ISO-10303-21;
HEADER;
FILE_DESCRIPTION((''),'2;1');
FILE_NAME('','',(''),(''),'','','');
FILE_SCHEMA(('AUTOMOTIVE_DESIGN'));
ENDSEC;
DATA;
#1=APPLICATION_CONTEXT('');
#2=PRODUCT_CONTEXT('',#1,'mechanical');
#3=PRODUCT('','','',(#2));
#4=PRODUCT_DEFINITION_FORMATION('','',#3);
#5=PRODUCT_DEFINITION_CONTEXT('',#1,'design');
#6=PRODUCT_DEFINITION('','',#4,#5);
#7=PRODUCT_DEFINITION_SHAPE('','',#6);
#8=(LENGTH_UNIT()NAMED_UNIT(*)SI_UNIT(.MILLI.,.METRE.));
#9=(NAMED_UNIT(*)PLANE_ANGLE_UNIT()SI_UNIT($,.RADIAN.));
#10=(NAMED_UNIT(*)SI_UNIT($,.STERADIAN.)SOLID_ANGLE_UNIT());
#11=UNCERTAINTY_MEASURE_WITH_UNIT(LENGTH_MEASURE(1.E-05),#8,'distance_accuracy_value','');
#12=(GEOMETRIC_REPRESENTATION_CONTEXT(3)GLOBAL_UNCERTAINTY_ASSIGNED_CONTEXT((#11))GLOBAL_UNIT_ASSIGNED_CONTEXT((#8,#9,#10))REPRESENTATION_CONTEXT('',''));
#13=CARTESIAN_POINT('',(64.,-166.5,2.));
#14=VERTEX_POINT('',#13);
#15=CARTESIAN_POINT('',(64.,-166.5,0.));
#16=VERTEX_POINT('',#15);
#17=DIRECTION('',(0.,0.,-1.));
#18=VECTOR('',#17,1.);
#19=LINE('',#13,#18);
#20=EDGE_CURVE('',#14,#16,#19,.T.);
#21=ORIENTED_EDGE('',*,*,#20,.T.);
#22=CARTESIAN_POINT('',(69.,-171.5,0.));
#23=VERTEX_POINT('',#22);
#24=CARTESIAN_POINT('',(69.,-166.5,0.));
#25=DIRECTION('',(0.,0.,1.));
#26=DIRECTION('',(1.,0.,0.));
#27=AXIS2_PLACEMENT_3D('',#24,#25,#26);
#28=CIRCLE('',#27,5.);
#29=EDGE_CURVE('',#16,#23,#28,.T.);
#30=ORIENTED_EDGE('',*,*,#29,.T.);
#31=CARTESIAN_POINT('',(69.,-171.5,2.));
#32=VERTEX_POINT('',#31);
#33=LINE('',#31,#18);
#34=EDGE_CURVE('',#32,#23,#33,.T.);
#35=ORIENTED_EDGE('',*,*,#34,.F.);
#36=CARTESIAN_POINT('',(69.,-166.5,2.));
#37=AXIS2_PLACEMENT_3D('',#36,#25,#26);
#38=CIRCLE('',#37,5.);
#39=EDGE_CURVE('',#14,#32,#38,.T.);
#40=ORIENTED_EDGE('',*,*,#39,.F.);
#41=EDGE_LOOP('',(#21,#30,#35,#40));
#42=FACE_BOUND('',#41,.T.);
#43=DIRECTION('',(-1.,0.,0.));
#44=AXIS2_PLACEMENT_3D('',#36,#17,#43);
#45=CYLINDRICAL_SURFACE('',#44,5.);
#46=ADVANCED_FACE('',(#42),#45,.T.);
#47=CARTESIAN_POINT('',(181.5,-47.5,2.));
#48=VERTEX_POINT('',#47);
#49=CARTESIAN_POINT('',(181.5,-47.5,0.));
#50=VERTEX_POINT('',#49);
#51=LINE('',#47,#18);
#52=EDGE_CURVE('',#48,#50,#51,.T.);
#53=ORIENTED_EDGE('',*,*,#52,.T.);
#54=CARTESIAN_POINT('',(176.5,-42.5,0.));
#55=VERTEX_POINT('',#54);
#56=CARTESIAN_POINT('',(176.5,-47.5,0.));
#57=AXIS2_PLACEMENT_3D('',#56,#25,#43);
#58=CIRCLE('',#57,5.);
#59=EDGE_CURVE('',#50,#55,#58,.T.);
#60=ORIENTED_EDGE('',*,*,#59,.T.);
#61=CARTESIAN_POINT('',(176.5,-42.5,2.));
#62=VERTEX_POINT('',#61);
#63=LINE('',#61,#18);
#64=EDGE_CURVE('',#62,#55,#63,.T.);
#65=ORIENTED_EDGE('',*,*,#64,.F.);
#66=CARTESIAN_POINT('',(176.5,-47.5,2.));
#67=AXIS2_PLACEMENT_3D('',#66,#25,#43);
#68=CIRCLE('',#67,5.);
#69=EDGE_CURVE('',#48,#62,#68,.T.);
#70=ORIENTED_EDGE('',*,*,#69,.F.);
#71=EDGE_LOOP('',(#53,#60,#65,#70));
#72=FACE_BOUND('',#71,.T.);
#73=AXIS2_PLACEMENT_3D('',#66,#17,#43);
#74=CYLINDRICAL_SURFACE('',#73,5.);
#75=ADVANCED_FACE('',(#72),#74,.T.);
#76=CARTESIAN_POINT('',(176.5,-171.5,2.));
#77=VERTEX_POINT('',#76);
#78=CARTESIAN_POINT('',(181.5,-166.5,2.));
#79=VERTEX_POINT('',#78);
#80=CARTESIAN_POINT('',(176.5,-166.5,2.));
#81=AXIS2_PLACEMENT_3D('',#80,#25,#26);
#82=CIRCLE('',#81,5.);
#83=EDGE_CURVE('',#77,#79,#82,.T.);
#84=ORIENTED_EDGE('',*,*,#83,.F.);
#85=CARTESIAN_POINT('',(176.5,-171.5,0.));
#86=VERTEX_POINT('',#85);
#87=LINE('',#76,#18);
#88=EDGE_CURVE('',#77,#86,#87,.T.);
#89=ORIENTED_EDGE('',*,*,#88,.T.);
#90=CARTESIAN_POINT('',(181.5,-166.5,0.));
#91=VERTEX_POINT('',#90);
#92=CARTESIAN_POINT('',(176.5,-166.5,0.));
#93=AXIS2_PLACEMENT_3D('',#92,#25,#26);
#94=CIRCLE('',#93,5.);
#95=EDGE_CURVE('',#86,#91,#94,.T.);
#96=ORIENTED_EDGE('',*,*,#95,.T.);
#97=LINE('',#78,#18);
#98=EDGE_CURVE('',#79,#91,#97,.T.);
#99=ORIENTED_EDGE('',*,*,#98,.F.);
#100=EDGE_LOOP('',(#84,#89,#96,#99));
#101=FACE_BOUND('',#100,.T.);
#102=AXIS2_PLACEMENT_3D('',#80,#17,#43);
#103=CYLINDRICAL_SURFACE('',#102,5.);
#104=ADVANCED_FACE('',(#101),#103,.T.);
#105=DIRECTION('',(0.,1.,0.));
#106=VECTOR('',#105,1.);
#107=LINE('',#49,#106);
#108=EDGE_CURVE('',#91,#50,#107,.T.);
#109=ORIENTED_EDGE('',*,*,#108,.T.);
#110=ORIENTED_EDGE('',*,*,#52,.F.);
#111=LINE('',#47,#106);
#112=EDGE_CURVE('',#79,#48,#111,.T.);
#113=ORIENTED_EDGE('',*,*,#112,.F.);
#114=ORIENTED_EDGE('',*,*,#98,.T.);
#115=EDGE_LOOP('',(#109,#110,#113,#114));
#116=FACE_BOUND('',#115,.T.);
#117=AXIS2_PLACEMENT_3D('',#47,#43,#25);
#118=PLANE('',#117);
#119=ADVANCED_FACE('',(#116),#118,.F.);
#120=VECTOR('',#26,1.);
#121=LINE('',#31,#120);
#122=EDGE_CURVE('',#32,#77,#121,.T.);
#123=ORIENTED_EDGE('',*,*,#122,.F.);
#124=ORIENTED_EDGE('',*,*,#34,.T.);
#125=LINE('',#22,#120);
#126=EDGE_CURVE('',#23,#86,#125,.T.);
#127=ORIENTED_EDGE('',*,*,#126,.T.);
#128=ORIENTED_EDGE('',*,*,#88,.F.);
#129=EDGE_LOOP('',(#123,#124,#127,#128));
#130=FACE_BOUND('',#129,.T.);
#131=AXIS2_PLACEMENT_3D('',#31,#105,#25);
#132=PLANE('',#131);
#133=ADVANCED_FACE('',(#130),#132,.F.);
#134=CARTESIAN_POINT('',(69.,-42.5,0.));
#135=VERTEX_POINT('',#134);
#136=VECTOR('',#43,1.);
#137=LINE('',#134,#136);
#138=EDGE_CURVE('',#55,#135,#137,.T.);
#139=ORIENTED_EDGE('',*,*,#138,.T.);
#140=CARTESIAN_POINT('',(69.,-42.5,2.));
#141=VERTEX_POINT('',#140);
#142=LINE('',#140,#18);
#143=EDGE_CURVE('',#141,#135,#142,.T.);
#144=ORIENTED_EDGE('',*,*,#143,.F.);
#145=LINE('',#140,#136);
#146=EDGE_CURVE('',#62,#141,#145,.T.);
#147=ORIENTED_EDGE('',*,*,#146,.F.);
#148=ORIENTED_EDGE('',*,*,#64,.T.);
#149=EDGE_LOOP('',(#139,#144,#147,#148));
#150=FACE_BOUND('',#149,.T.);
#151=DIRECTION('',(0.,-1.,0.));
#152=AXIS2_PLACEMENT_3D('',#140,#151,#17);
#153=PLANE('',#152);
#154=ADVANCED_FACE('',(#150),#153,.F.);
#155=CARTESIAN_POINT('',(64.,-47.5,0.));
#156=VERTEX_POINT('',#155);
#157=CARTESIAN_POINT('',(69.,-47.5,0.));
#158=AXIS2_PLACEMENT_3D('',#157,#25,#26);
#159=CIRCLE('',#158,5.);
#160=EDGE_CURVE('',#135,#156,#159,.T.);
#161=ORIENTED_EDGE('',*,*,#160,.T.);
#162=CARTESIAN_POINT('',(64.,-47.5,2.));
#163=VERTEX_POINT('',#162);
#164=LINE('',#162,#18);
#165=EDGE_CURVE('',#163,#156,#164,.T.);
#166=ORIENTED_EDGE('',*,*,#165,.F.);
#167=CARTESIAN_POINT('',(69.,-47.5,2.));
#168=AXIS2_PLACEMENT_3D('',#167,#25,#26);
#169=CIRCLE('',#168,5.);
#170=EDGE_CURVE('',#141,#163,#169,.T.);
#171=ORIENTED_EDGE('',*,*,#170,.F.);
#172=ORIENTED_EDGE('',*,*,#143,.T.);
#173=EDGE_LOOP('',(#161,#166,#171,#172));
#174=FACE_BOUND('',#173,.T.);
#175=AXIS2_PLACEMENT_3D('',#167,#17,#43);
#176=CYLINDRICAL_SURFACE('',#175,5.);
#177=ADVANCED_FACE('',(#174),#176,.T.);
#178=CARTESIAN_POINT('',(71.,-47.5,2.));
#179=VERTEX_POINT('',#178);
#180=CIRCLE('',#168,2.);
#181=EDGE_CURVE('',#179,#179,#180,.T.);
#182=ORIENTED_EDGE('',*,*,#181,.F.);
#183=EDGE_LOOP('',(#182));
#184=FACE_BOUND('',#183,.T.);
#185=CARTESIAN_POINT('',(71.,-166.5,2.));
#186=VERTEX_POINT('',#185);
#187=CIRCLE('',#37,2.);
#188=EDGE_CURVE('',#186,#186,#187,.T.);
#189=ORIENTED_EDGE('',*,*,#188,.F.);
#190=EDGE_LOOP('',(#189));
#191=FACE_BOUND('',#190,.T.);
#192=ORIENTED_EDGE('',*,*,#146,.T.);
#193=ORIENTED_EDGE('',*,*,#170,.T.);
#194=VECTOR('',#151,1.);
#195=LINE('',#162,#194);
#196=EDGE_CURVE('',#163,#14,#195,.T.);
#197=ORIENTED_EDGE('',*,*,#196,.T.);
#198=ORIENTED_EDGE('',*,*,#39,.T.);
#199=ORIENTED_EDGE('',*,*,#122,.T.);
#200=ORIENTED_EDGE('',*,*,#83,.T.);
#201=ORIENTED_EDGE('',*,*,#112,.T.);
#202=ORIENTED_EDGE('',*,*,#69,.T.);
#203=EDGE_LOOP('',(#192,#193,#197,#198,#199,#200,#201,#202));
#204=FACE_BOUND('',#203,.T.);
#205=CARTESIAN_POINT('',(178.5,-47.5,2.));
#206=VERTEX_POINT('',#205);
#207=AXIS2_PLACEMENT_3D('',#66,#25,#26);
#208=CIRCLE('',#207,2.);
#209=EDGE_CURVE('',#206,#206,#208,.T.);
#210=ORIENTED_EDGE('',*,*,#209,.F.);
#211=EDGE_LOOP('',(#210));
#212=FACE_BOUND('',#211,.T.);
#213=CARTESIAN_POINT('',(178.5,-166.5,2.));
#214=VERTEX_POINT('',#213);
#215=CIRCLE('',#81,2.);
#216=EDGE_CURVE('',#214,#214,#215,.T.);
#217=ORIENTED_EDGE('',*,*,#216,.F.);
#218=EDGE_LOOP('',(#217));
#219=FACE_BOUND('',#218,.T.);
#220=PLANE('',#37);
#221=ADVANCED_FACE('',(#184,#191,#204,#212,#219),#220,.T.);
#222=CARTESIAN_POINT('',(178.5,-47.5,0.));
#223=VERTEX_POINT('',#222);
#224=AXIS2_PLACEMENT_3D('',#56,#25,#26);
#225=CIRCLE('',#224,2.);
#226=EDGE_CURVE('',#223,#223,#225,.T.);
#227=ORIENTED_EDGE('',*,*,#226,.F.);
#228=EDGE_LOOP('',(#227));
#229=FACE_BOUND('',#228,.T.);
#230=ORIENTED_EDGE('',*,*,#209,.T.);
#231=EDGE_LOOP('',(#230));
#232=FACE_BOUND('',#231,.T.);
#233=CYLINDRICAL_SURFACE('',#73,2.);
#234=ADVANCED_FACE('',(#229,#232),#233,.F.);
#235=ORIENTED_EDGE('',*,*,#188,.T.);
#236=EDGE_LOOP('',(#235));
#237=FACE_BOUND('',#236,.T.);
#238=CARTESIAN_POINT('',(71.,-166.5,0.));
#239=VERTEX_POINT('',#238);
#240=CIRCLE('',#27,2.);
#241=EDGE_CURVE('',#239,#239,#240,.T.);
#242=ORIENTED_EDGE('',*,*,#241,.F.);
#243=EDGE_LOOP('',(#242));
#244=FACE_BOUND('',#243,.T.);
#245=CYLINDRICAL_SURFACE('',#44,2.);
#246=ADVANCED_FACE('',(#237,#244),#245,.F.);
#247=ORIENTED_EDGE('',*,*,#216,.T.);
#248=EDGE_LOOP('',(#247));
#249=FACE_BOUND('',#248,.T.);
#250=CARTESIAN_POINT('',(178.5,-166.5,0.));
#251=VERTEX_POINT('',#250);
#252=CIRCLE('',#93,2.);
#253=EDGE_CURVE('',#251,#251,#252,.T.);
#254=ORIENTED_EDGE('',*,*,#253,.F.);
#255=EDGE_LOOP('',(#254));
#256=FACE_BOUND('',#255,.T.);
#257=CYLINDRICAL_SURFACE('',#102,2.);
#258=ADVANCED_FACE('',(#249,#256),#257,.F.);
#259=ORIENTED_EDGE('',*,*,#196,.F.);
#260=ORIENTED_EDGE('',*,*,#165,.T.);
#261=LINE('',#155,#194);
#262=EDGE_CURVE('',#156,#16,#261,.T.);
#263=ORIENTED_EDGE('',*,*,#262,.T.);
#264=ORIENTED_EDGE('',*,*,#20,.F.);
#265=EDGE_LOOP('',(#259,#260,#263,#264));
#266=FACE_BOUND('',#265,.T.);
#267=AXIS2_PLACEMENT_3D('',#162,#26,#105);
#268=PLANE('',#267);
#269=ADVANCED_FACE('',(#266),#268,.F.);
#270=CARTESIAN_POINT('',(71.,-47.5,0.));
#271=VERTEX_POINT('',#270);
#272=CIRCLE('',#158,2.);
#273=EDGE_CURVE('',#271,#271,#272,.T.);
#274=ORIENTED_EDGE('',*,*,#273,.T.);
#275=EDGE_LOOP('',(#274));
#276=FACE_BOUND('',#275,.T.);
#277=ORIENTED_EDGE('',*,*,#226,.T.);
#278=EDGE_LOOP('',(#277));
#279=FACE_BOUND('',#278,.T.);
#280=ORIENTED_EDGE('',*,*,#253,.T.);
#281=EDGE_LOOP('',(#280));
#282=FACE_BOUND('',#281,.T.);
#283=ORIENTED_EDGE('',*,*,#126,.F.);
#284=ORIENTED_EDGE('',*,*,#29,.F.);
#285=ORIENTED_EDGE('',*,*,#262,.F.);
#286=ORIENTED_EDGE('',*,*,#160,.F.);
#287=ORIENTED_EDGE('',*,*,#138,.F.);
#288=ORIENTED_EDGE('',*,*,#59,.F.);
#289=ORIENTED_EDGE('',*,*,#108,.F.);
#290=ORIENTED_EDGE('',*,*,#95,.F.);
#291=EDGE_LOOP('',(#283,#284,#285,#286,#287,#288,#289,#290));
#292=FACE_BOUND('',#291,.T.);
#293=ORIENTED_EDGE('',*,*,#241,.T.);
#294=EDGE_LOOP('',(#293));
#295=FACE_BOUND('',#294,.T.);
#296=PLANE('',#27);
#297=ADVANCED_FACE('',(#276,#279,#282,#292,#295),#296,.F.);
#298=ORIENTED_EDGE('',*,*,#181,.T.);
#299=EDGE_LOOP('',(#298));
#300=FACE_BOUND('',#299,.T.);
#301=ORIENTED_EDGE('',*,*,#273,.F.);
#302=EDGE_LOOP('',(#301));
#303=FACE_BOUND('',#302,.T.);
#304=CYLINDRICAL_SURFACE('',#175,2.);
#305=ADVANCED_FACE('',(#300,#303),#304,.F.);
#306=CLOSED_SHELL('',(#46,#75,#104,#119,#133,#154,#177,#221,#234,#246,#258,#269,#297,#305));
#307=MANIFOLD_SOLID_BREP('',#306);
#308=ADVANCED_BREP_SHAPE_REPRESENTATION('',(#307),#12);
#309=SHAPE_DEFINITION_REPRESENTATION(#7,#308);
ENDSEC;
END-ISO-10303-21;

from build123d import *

# Parameters (mm, degrees)
SKETCH1_R           = 2
BOSS_EXTRUDE1_DEPTH = 2


with BuildPart() as part:
    # Sketch1 → Boss-Extrude1 (new body)
    with BuildSketch(Plane.XY):
        with BuildLine():
            Line((69, -42.5), (176.5, -42.5))
            ThreePointArc((176.5, -42.5), (180.035533906, -43.964466094), (181.5, -47.5))
            Line((181.5, -47.5), (181.5, -166.5))
            ThreePointArc((181.5, -166.5), (180.035533906, -170.035533906), (176.5, -171.5))
            Line((176.5, -171.5), (69, -171.5))
            ThreePointArc((69, -171.5), (65.464466094, -170.035533906), (64, -166.5))
            Line((64, -166.5), (64, -47.5))
            ThreePointArc((64, -47.5), (65.464466094, -43.964466094), (69, -42.5))
        make_face()
        with Locations((69, -47.5)):
            Circle(SKETCH1_R, mode=Mode.SUBTRACT)
        with Locations((176.5, -47.5)):
            Circle(SKETCH1_R, mode=Mode.SUBTRACT)
        with Locations((69, -166.5)):
            Circle(SKETCH1_R, mode=Mode.SUBTRACT)
        with Locations((176.5, -166.5)):
            Circle(SKETCH1_R, mode=Mode.SUBTRACT)
    extrude(amount=BOSS_EXTRUDE1_DEPTH)


solid = part.part
